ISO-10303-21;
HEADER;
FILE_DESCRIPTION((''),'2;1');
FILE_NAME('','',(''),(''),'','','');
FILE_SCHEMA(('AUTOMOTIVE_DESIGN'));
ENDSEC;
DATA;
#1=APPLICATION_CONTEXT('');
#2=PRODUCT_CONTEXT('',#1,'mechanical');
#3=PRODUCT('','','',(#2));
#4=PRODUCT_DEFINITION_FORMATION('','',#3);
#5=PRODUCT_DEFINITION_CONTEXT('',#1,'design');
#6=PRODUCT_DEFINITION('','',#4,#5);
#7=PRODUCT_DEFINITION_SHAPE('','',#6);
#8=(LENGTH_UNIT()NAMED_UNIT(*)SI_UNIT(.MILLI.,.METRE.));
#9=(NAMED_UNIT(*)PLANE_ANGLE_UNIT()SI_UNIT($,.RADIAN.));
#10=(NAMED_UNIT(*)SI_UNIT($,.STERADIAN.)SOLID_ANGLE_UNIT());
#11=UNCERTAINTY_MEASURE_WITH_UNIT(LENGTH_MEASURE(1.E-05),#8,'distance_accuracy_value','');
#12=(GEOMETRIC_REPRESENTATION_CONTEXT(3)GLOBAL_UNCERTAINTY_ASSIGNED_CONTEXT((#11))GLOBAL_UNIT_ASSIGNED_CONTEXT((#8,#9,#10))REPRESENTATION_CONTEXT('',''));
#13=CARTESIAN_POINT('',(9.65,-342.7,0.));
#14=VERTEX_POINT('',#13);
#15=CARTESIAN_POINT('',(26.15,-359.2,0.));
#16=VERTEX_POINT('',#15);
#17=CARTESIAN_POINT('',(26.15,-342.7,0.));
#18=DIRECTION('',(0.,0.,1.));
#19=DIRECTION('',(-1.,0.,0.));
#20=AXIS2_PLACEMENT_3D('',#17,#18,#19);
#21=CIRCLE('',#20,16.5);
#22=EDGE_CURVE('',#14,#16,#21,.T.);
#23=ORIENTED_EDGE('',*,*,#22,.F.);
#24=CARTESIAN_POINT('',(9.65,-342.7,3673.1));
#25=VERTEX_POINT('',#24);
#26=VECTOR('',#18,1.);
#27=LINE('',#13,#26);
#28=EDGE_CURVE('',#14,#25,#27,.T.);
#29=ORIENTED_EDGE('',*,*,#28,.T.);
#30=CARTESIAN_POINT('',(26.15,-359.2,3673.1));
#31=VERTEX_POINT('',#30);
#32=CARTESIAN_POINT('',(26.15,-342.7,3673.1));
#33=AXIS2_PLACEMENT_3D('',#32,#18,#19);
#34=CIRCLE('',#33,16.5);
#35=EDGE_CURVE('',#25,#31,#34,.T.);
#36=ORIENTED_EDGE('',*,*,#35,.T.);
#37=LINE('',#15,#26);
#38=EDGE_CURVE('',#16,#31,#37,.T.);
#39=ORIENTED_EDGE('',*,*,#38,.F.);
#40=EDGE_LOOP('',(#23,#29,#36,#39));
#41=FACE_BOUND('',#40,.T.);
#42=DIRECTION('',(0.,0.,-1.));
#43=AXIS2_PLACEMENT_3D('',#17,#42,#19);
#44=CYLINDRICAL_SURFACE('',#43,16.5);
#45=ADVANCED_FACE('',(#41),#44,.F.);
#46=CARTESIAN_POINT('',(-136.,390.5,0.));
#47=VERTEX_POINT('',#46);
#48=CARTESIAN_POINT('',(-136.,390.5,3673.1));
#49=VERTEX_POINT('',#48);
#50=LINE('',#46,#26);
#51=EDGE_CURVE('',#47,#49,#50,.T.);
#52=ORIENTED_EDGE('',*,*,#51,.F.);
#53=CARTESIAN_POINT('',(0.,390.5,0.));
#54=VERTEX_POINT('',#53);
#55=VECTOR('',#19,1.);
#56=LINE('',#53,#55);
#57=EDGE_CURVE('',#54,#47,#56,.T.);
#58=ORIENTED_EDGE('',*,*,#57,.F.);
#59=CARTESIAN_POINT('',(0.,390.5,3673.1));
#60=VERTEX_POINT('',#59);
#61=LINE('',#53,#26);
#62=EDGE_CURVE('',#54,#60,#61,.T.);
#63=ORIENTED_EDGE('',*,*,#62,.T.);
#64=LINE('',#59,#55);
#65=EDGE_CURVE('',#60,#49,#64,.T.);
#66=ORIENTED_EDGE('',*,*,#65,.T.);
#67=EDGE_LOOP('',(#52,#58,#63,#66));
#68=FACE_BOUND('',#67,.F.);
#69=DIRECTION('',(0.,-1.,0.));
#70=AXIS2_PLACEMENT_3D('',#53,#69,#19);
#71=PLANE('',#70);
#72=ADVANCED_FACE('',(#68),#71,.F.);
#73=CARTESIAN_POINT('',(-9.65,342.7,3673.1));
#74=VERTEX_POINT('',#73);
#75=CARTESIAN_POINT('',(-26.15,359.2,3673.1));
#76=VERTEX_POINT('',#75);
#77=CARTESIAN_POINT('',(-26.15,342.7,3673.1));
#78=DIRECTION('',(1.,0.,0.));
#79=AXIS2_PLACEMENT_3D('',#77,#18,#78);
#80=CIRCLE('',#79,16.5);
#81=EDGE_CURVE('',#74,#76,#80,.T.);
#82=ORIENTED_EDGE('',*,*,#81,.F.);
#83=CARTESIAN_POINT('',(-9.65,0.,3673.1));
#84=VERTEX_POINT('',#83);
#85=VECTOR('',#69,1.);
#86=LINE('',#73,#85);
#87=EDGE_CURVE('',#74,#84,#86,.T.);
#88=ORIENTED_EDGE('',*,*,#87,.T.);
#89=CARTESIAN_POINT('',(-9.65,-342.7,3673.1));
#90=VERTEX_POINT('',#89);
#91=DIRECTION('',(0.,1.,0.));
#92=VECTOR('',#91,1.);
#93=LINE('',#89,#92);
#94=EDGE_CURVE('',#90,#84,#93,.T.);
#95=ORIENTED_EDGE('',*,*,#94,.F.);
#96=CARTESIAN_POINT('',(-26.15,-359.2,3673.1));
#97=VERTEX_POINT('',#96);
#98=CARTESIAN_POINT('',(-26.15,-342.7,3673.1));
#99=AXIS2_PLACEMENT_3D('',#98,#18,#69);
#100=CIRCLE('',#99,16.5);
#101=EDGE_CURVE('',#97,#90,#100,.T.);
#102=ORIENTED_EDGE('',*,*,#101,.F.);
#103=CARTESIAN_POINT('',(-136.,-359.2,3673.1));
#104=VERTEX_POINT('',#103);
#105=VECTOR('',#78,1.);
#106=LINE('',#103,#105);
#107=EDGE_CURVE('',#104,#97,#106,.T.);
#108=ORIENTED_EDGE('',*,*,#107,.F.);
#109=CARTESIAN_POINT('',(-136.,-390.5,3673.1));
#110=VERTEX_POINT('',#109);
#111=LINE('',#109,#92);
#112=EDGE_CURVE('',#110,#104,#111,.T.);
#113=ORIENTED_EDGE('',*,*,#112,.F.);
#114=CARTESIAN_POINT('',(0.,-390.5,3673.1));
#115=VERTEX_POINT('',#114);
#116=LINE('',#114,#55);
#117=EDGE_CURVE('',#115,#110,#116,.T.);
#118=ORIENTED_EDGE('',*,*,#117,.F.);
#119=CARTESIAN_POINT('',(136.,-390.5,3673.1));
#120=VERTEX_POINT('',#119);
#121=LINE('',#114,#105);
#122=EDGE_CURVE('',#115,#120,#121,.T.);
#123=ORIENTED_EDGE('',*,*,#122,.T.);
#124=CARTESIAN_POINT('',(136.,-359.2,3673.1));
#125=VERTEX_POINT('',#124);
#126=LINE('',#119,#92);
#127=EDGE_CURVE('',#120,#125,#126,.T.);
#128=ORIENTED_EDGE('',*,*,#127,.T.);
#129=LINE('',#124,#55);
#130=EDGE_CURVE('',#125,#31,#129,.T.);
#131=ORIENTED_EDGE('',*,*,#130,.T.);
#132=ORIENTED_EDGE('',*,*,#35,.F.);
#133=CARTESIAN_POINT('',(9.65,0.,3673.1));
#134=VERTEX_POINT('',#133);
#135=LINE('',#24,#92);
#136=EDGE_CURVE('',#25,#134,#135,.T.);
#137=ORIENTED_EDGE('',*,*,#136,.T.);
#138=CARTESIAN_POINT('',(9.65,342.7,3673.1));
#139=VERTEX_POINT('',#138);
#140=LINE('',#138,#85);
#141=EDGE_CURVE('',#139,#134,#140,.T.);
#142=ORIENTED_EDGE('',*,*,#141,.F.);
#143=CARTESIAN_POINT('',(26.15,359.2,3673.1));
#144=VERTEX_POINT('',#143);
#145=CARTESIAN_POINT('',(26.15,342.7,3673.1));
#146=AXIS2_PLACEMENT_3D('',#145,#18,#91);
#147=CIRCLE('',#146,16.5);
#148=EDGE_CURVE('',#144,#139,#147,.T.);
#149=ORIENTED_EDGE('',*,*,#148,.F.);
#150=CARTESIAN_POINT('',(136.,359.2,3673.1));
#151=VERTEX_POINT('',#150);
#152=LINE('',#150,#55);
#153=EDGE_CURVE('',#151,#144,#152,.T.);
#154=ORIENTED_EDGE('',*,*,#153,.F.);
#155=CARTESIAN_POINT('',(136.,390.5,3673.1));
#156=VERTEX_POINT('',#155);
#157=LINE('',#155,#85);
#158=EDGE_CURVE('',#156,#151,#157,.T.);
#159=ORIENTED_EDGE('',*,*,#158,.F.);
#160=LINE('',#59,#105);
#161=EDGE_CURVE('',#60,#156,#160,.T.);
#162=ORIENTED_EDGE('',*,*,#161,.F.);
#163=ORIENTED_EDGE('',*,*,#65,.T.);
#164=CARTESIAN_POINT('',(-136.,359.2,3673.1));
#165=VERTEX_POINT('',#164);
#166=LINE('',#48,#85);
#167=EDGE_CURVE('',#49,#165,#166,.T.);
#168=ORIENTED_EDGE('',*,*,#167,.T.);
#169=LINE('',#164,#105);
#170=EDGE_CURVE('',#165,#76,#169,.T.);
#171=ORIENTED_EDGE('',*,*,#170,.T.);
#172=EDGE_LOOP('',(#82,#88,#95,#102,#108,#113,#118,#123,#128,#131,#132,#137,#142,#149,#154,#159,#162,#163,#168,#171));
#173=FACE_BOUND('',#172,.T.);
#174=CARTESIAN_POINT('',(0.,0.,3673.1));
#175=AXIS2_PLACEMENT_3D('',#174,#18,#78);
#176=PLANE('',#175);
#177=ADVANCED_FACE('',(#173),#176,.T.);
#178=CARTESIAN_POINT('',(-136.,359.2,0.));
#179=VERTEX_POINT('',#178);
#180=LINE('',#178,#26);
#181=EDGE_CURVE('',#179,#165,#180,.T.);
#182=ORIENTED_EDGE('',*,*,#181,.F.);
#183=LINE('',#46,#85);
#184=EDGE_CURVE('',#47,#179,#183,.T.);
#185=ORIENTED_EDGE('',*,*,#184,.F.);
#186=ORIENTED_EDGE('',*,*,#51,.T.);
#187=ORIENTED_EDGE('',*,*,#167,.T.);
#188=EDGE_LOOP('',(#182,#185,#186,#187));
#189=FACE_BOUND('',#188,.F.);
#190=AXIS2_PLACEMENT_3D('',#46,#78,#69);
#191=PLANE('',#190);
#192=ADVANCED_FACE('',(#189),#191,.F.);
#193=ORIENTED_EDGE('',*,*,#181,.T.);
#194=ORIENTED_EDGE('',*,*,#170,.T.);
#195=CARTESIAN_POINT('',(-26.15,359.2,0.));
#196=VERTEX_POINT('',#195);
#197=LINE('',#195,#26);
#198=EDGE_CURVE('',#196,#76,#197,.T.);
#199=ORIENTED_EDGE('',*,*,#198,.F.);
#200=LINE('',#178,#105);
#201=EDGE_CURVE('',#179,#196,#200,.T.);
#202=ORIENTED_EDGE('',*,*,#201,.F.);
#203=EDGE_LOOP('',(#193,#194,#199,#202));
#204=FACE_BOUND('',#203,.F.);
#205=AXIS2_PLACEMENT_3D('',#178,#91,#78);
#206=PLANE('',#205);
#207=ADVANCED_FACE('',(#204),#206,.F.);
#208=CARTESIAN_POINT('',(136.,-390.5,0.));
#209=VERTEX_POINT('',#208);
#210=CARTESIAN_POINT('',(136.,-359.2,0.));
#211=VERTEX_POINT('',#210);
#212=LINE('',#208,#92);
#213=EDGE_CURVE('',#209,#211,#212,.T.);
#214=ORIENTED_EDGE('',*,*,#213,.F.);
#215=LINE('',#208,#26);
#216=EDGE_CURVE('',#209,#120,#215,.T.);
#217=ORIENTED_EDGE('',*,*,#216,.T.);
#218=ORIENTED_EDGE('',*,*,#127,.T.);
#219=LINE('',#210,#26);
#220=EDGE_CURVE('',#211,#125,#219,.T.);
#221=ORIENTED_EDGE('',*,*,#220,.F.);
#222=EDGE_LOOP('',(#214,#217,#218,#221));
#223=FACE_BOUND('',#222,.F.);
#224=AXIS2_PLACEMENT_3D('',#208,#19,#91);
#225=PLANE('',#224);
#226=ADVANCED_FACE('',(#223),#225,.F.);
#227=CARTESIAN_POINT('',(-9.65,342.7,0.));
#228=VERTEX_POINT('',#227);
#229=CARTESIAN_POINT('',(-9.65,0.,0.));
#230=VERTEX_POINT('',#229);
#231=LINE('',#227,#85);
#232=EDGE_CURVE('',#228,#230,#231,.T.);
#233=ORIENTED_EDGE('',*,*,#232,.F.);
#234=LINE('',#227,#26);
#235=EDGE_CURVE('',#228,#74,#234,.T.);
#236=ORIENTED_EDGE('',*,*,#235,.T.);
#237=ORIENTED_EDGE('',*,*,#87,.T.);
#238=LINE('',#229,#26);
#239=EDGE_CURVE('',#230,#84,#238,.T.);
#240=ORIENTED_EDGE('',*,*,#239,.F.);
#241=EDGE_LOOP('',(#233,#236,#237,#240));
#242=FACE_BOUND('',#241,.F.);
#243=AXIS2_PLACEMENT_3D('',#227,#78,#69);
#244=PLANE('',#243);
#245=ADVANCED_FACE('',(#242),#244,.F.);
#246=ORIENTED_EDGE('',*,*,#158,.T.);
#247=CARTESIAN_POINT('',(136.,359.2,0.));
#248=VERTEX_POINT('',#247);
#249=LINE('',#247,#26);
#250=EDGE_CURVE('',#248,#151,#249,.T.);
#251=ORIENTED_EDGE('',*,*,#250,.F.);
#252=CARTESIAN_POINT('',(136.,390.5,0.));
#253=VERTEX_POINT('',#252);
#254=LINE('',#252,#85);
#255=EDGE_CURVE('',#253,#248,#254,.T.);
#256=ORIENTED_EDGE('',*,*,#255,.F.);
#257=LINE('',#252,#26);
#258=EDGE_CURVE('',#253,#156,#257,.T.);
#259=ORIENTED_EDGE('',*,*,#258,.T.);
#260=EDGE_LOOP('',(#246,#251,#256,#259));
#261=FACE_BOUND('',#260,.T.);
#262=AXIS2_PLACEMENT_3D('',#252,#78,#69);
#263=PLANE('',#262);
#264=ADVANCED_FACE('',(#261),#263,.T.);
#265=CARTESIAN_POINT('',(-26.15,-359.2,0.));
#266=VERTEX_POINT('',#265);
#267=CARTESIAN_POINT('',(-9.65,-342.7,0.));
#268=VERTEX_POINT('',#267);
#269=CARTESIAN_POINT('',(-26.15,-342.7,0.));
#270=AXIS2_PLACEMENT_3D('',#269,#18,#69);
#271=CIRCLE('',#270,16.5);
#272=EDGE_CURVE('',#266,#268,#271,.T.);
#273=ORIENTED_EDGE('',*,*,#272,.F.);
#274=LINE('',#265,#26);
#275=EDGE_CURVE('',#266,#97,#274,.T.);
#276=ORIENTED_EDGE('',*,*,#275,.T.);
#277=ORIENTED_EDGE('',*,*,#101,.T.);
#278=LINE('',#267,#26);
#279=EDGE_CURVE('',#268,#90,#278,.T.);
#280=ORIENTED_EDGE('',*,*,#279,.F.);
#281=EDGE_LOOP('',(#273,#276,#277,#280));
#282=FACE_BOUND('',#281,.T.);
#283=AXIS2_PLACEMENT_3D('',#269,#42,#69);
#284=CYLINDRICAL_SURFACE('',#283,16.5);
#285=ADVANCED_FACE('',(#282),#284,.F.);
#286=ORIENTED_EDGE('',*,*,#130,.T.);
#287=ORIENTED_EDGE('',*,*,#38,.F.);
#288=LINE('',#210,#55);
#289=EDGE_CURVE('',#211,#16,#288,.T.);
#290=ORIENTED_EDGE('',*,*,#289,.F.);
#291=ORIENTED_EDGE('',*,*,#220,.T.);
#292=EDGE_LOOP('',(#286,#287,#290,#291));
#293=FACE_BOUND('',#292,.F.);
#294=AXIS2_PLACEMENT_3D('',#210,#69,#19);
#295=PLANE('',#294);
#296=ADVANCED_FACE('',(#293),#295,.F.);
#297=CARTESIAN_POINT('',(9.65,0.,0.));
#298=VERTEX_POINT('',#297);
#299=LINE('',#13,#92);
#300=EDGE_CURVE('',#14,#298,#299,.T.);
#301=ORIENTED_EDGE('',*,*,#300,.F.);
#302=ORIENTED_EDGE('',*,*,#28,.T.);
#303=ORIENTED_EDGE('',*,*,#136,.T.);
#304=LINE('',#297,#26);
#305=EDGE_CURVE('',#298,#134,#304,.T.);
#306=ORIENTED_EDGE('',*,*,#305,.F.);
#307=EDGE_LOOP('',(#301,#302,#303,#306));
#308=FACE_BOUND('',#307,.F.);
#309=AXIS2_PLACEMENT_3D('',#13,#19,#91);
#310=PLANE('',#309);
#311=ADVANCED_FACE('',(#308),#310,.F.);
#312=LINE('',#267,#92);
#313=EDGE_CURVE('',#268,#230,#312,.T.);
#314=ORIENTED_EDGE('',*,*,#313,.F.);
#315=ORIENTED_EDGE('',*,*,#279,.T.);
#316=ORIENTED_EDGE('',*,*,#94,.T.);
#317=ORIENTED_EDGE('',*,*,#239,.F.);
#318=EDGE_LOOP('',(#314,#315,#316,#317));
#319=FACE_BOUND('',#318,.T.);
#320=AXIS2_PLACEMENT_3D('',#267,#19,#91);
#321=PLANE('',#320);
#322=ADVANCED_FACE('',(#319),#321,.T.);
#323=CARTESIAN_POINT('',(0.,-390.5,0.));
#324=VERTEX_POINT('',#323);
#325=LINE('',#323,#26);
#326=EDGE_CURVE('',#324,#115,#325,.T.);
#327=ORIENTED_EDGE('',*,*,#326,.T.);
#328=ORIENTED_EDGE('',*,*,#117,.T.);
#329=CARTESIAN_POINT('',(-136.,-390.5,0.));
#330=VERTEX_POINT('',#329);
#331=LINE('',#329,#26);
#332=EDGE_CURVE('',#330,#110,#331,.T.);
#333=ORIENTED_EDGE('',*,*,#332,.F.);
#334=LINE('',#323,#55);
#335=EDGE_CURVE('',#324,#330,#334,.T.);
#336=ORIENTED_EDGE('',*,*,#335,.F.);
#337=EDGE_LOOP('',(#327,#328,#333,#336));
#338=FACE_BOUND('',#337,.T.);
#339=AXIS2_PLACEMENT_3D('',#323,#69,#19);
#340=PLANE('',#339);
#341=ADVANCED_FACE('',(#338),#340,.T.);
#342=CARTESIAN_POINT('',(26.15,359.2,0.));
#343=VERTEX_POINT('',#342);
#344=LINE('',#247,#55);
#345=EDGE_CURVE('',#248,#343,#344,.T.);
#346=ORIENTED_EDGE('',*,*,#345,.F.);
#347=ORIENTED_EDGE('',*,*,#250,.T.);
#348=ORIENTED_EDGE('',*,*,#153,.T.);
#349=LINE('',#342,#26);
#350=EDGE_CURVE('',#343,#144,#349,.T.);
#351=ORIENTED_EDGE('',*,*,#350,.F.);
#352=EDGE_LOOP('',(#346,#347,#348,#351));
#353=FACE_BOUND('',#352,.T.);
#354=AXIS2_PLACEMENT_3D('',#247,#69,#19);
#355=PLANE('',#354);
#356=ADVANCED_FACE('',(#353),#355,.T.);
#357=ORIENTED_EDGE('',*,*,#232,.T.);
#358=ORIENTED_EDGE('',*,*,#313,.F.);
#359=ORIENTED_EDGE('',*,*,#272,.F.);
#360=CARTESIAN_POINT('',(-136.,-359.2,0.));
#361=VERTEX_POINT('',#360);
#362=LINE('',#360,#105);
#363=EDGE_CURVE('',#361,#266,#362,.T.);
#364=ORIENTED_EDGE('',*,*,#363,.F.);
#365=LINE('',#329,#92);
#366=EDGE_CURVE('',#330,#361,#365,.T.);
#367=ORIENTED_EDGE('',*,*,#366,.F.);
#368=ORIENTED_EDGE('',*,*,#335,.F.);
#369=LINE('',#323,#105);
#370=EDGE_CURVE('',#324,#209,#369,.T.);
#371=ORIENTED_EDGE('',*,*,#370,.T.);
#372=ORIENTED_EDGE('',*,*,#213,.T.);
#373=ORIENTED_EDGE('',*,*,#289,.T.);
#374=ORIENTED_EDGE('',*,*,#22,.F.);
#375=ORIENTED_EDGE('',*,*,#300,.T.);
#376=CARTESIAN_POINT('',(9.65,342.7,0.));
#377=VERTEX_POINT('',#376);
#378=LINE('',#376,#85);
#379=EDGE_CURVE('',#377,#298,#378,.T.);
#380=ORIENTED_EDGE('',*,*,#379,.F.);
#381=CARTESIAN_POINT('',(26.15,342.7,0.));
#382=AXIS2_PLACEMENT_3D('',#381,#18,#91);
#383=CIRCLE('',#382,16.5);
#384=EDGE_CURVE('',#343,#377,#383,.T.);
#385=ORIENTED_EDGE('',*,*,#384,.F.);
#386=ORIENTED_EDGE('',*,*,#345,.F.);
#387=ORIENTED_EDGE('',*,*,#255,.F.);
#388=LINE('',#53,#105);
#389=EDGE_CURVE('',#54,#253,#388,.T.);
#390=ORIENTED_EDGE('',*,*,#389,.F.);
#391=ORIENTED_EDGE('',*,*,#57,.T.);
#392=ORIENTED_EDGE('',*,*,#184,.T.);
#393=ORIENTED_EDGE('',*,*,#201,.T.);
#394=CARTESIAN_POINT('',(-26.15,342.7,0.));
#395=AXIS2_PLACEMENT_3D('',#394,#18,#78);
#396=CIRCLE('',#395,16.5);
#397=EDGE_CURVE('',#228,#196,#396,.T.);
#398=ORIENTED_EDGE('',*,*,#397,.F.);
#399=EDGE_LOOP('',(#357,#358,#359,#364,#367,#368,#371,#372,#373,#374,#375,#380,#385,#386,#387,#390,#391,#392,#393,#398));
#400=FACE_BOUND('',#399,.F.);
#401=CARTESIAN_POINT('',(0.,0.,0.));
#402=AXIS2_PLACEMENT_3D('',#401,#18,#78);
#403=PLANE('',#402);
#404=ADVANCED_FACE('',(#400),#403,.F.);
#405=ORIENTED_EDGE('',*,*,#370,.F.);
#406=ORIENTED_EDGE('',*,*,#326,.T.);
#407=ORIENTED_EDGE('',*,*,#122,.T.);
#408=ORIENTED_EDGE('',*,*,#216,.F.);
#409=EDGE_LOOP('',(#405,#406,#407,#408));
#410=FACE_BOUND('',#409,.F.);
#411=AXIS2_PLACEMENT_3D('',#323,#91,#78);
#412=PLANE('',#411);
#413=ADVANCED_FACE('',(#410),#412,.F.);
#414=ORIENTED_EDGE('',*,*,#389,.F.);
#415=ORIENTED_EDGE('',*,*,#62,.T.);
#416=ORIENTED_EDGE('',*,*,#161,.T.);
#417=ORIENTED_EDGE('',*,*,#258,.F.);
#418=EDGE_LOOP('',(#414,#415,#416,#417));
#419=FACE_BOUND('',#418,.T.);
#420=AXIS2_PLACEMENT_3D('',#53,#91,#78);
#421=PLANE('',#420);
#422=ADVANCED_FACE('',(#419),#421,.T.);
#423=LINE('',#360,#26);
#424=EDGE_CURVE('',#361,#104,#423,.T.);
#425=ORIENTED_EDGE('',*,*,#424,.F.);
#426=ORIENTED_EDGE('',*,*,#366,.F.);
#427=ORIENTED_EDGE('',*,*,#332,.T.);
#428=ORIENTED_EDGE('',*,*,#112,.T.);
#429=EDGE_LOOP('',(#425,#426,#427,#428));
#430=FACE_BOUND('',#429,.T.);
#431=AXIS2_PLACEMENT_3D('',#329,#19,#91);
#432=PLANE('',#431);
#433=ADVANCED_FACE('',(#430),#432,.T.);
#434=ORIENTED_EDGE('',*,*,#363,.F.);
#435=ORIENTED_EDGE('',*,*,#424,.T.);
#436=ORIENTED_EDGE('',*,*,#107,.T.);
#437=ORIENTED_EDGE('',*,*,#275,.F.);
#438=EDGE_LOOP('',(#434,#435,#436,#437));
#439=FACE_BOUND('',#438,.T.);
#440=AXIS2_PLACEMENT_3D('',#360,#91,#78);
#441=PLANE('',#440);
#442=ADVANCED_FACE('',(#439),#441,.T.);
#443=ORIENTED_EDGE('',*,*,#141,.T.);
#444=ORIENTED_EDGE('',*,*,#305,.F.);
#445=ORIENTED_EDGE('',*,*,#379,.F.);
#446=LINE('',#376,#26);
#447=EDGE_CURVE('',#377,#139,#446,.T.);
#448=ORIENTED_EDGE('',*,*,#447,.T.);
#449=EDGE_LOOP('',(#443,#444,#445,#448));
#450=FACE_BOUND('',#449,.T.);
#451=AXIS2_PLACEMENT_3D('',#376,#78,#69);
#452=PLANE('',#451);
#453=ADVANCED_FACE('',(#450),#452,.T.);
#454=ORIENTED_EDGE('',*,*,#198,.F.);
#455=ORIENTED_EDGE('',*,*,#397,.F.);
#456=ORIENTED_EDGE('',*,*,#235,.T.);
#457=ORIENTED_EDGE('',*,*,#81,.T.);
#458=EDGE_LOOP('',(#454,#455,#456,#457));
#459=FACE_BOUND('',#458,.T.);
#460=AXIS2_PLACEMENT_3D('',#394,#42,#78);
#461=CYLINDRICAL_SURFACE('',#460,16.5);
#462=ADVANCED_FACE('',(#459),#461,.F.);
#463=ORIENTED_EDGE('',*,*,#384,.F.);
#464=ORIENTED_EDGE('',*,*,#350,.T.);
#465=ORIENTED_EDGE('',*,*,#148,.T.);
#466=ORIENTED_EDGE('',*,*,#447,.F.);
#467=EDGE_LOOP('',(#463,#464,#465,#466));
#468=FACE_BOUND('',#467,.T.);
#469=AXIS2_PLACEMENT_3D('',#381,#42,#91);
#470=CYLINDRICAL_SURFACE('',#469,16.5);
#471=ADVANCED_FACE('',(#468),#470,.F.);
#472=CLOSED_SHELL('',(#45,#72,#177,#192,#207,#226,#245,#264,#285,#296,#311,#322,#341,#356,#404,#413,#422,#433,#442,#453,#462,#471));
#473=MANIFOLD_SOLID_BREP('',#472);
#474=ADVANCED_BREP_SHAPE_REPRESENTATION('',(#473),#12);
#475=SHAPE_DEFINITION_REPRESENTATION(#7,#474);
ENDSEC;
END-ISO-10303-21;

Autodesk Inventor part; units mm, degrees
ref_plane "YZ Plane" through (0, 0, 0) normal (1, 0, 0) x (0, 1, 0)
ref_plane "Start plane" through (0, 0, 0) normal (0, 0, 1) x (1, 0, 0)
ref_plane "End plane" through (0, 0, 3673.1) normal (0, 0, 1) x (1, 0, 0)
sketch "Sketch" plane through (0, 0, 0) normal (0, 0, 1) x (1, 0, 0)
  line L0 (-136, -390.5) -> (-136, -359.2)
  line L1 (-136, -359.2) -> (-26.15, -359.2)
  line L2 (-9.65, -342.7) -> (-9.65, 0)
  line L3 (-9.65, 0) -> (0, 0) construction
  line L4 (0, 0) -> (0, -390.5) construction
  line L5 (0, -390.5) -> (-136, -390.5)
  line L6 (-60, 0) -> (80, 0) construction
  line L7 (0, -60) -> (0, 80) construction
  line L8 (136, -390.5) -> (136, -359.2)
  line L9 (136, -359.2) -> (26.15, -359.2)
  line L10 (9.65, -342.7) -> (9.65, 0)
  line L11 (9.65, 0) -> (0, 0) construction
  line L12 (0, -390.5) -> (136, -390.5)
  line L13 (-136, 390.5) -> (-136, 359.2)
  line L14 (-136, 359.2) -> (-26.15, 359.2)
  line L15 (-9.65, 342.7) -> (-9.65, 0)
  line L16 (0, 390.5) -> (-136, 390.5)
  line L17 (136, 390.5) -> (136, 359.2)
  line L18 (136, 359.2) -> (26.15, 359.2)
  line L19 (0, 390.5) -> (136, 390.5)
  line L20 (9.65, 342.7) -> (9.65, 0)
  arc A0 (-9.65, 342.7) -> (-26.15, 359.2) centre (-26.15, 342.7) ccw
  arc A1 (26.15, 359.2) -> (9.65, 342.7) centre (26.15, 342.7) ccw
  arc A2 (9.65, -342.7) -> (26.15, -359.2) centre (26.15, -342.7) ccw
  arc A3 (-26.15, -359.2) -> (-9.65, -342.7) centre (-26.15, -342.7) ccw
  line L21 (0, 108) -> (0, -88) construction
  line L22 (-88, 0) -> (108, 0) construction
  point P0 (-9.65, -359.2)
  point P1 (9.65, -359.2)
  point P2 (-9.65, 359.2)
  point P3 (9.65, 359.2)
  dimension "d1" = 390.5
  dimension "d2" = 31.3
  dimension "d3" = 136
  dimension "d4" = 9.65
  dimension "d10" = 16.5
extrude "Body" add sketch "Sketch" along normal up to surface (3673.1 mm away) from surface at 0
sketch "Sketch4" plane through (0, 0, 0) normal (0, 0, 1) x (1, 0, 0)
  line L0 (0, 0) -> (10, 0)
ref_plane "Work Plane3" through (0, 0, 0) normal (0, -1, 0) x (1, 0, 0)
sketch "Sketch5" plane through (0, 0, 0) normal (0, -1, 0) x (1, 0, 0)
  line L0 (-2, 0) -> (12, 0) projected
  line L1 (-2, 3673.1) -> (12, 3673.1) projected
  dimension "d14" = 3673.1
equation "\"d1\" = 0.5 * G_H"
equation "\"d2\" = G_T1"
equation "\"d3\" = 0.5 * G_W"
equation "\"d4\" = 0.5 * G_T"
equation "\"d10\" = G_IR"
equation "\"d5\" = G_L"
equation "\"G_W\" = 272"
equation "\"G_H\" = 781"
equation "\"G_T\" = 19.3"
equation "\"G_T1\" = 31.3"
equation "\"G_IR\" = 16.5"
equation "\"G_L\" = d14"
equation "\"G_OFFSET_START\" = 0"
equation "\"G_OFFSET_END\" = 0"
equation "\"d12\" = G_OFFSET_END + B_L"
equation "\"B_L\" = 3673.1"
properties part number "AS 3679-1990 - 760 UB - 244 - 3673.1" material "Steel, Mild"
